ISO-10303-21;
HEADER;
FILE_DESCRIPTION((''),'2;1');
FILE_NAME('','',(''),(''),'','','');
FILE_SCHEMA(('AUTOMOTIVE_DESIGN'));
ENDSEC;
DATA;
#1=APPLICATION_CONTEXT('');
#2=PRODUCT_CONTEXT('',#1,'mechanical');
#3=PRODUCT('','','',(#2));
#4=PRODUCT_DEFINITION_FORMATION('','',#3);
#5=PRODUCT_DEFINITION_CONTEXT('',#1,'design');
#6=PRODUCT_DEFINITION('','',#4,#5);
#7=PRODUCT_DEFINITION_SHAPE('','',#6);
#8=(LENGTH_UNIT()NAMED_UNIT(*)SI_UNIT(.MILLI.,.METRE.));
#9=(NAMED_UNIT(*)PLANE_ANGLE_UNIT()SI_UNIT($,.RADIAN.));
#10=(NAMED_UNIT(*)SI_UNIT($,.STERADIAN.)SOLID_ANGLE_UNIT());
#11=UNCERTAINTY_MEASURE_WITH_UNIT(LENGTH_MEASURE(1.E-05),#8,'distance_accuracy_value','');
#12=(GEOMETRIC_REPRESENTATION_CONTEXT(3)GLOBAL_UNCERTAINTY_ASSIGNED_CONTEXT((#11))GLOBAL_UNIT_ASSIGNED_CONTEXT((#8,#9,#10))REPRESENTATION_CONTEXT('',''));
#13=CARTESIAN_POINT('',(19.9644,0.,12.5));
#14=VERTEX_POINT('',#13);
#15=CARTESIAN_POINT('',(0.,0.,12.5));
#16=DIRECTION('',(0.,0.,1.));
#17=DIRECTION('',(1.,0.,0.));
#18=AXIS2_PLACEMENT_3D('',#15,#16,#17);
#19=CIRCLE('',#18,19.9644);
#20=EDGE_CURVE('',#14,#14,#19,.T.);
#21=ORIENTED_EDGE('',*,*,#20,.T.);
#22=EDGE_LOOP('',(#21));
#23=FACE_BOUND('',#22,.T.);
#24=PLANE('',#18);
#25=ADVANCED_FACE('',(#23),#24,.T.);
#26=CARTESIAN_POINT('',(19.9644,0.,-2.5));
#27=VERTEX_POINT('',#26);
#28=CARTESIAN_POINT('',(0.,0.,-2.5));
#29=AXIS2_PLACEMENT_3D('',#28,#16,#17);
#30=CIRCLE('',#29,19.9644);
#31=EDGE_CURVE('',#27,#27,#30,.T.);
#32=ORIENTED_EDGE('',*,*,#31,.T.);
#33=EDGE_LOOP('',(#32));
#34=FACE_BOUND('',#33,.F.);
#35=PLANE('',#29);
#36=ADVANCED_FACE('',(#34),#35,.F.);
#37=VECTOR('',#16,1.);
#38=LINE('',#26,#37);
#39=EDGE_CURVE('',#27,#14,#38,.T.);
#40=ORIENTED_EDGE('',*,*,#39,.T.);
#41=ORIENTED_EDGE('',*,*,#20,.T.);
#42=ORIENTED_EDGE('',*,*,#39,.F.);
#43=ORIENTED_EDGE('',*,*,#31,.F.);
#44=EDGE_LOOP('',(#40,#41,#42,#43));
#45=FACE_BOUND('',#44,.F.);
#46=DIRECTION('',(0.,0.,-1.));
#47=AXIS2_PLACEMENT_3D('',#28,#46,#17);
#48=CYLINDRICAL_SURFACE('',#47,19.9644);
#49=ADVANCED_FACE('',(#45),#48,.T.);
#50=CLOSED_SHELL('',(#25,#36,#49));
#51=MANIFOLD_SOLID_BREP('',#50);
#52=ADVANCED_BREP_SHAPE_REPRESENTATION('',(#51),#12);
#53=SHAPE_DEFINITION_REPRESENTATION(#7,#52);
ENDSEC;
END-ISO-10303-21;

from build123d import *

# Parameters (mm, degrees)
CYLINDER_R     = 19.9644
CYLINDER_DEPTH = 15


with BuildPart() as part:
    # Cylinder → Cylinder (new body)
    with BuildSketch(Plane.XY.offset(-2.5)):
        Circle(CYLINDER_R)
    extrude(amount=CYLINDER_DEPTH)


solid = part.part
